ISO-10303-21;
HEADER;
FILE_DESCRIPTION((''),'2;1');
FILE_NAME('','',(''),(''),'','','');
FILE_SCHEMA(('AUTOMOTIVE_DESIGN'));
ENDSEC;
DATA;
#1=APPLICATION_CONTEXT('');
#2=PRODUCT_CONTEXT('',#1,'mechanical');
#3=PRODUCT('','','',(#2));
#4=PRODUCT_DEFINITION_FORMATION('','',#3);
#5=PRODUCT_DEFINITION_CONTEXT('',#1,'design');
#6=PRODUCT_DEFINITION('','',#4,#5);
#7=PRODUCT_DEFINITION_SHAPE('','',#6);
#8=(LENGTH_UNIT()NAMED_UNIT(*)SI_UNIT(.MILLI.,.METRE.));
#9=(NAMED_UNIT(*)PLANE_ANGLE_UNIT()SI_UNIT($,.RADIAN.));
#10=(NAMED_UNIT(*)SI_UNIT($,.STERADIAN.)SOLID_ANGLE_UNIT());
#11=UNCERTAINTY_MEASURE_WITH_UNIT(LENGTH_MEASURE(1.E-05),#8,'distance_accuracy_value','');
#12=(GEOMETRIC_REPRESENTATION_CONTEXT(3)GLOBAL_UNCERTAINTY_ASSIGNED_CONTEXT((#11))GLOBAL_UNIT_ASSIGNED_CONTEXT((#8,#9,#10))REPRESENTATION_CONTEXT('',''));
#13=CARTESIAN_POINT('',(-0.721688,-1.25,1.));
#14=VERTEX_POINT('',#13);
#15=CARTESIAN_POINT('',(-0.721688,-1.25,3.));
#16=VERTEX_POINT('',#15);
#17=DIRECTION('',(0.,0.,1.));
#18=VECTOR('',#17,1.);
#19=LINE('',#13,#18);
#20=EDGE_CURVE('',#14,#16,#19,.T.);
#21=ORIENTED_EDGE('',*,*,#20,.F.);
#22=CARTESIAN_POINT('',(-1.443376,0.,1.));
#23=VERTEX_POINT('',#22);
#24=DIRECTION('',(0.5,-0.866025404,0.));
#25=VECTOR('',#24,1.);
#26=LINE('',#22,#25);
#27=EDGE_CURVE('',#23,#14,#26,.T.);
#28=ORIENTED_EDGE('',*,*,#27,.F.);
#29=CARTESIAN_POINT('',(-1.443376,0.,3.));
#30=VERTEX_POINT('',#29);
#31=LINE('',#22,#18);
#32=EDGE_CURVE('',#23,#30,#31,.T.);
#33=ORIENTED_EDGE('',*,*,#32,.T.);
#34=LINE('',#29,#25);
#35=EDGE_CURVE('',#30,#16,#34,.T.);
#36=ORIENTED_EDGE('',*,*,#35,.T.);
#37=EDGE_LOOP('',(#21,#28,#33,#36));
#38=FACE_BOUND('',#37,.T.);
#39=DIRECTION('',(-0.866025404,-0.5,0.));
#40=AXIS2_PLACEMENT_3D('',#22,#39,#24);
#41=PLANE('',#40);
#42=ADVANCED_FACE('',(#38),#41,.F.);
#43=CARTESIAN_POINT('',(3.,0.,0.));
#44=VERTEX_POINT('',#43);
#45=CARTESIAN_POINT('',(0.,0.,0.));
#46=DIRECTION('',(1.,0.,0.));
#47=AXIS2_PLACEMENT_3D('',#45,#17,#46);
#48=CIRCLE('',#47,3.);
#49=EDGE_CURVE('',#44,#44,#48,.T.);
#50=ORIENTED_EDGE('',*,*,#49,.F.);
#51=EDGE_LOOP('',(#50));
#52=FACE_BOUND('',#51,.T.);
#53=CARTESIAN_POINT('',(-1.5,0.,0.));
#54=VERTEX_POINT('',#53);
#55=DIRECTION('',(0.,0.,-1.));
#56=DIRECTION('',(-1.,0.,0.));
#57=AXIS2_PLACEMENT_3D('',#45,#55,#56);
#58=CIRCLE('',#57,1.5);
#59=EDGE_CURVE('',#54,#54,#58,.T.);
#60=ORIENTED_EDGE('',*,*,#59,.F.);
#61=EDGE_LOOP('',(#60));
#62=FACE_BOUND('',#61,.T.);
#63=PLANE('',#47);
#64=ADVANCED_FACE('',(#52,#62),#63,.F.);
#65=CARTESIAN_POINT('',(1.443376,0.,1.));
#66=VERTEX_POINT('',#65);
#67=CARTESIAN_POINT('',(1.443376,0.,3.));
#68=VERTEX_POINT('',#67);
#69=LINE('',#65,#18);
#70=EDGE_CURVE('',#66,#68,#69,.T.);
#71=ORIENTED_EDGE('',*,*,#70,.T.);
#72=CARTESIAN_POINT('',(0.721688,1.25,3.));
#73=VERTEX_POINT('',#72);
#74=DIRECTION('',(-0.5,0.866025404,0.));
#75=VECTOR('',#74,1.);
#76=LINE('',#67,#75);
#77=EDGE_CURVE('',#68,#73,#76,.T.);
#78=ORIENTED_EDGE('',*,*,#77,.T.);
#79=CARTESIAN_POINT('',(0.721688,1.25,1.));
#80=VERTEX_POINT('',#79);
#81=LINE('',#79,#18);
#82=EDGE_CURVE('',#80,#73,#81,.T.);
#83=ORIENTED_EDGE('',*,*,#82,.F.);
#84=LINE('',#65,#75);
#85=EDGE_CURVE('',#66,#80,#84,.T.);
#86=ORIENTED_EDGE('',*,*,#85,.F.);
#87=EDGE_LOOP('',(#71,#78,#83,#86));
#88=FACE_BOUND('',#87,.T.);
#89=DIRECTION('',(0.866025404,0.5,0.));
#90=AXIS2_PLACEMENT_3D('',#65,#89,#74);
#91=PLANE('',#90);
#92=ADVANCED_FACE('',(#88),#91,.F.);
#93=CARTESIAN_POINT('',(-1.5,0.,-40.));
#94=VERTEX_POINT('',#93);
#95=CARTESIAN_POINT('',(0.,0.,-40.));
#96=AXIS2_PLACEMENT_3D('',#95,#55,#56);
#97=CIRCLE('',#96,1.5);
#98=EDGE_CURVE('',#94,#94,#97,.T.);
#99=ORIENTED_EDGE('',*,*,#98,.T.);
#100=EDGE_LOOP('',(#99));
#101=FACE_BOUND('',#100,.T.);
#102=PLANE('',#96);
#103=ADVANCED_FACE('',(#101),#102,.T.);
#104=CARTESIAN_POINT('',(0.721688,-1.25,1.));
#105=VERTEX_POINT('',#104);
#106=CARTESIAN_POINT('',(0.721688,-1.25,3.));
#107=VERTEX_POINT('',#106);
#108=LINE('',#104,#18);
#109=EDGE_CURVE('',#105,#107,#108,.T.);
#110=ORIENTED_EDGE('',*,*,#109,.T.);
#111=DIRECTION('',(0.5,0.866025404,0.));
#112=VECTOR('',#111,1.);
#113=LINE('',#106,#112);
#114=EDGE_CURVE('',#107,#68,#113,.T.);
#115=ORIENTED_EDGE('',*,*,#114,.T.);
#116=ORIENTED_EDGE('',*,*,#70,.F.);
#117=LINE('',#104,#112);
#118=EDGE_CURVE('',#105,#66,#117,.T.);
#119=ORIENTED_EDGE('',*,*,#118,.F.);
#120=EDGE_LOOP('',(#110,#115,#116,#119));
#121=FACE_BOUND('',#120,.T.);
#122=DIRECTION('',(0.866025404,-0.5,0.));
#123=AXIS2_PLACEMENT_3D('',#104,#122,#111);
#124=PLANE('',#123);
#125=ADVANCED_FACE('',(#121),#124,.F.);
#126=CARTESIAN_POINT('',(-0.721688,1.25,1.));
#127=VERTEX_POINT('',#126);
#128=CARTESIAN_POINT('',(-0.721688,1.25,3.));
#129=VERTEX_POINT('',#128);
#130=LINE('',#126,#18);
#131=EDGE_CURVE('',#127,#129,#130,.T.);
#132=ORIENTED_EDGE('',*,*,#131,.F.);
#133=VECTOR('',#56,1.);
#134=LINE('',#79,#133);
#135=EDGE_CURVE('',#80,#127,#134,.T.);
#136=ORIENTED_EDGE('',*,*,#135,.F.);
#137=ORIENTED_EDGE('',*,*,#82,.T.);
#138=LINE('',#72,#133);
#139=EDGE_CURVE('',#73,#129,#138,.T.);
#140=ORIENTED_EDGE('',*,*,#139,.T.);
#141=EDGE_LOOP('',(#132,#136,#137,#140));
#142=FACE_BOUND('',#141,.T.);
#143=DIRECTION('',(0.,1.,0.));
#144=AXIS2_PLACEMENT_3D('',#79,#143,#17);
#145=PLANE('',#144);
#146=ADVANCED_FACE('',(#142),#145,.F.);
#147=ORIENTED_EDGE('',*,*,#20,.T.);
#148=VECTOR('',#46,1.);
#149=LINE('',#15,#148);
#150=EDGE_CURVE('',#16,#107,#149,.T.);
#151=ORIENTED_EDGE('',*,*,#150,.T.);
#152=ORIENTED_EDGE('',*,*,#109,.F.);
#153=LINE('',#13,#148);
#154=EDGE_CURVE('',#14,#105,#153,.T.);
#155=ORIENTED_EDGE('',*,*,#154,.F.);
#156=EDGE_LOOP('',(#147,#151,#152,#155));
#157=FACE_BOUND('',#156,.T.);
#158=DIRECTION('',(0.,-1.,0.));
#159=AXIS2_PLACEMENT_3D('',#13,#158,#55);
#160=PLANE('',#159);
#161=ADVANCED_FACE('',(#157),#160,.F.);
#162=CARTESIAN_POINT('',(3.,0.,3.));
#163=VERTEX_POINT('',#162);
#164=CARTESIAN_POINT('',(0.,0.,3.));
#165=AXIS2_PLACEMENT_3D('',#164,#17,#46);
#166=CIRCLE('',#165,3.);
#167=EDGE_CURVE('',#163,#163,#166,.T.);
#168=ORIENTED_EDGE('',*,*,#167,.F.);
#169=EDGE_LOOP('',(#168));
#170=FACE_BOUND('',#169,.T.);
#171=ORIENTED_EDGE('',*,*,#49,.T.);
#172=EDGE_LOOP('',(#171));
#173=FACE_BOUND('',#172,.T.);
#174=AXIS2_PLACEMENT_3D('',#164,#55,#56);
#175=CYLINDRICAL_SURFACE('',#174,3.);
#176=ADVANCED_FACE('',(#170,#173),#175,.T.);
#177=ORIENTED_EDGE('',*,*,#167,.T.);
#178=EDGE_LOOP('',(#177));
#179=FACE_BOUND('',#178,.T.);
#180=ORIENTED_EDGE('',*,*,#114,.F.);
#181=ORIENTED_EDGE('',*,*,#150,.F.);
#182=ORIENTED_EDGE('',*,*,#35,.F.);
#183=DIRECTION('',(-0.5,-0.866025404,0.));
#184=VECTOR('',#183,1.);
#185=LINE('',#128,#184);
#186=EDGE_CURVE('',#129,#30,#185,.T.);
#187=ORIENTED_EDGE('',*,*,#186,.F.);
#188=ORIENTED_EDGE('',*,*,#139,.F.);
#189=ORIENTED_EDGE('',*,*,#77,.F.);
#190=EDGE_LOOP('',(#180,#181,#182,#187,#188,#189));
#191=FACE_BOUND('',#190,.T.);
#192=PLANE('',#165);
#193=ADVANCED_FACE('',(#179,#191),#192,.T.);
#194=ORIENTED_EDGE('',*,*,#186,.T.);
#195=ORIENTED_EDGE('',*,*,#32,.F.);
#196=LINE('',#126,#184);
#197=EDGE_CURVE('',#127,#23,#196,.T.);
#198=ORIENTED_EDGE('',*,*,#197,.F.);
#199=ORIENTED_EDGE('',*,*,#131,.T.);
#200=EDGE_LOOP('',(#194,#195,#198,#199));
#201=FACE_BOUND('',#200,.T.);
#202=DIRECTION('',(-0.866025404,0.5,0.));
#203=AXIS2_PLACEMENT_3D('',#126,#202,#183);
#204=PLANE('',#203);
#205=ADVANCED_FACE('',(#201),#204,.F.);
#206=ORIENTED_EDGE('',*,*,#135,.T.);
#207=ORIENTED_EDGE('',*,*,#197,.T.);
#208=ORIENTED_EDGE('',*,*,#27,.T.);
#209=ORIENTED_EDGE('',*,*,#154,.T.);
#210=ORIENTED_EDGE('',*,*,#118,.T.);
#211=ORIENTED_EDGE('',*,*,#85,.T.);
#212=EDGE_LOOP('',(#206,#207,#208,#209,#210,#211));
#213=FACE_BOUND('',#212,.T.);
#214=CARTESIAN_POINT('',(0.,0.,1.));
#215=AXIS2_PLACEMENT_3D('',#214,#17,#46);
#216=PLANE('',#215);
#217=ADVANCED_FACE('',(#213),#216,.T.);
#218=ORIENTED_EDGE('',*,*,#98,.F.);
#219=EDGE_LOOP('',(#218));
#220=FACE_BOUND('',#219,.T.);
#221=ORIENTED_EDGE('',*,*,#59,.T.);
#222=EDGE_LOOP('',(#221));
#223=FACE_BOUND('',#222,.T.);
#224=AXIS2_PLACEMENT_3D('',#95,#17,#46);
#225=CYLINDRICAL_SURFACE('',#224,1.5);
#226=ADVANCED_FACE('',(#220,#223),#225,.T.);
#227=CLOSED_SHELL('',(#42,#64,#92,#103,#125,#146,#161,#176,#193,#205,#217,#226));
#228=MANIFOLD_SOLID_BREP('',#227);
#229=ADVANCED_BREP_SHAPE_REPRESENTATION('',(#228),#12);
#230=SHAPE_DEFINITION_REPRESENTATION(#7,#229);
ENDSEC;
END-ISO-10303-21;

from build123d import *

# Parameters (mm, degrees)
SKETCH_5_R          = 3
EXTRUDE_1_DEPTH     = 3
CUT_EXTRUDE_1_DEPTH = 2
SKETCH_7_R          = 1.5
EXTRUDE_2_DEPTH     = 40


with BuildPart() as part:
    # ｽｹｯﾁ5 → ﾎﾞｽ - 押し出し1 (new body)
    with BuildSketch(Plane.XY):
        Circle(SKETCH_5_R)
    extrude(amount=EXTRUDE_1_DEPTH)

    # ｽｹｯﾁ6 → ｶｯﾄ - 押し出し1 (cut)
    with BuildSketch(Plane.XY.offset(3)):
        Polygon((1.443375673, 0), (0.721687836, 1.25), (-0.721687836, 1.25), (-1.443375673, 0), (-0.721687836, -1.25), (0.721687836, -1.25), align=None)
    extrude(amount=-CUT_EXTRUDE_1_DEPTH, mode=Mode.SUBTRACT)

    # ｽｹｯﾁ7 → ﾎﾞｽ - 押し出し2 (add)
    with BuildSketch(Plane(origin=(0, 0, 0), x_dir=(-1, 0, 0), z_dir=(0, 0, -1))):
        Circle(SKETCH_7_R)
    extrude(amount=EXTRUDE_2_DEPTH)


solid = part.part
